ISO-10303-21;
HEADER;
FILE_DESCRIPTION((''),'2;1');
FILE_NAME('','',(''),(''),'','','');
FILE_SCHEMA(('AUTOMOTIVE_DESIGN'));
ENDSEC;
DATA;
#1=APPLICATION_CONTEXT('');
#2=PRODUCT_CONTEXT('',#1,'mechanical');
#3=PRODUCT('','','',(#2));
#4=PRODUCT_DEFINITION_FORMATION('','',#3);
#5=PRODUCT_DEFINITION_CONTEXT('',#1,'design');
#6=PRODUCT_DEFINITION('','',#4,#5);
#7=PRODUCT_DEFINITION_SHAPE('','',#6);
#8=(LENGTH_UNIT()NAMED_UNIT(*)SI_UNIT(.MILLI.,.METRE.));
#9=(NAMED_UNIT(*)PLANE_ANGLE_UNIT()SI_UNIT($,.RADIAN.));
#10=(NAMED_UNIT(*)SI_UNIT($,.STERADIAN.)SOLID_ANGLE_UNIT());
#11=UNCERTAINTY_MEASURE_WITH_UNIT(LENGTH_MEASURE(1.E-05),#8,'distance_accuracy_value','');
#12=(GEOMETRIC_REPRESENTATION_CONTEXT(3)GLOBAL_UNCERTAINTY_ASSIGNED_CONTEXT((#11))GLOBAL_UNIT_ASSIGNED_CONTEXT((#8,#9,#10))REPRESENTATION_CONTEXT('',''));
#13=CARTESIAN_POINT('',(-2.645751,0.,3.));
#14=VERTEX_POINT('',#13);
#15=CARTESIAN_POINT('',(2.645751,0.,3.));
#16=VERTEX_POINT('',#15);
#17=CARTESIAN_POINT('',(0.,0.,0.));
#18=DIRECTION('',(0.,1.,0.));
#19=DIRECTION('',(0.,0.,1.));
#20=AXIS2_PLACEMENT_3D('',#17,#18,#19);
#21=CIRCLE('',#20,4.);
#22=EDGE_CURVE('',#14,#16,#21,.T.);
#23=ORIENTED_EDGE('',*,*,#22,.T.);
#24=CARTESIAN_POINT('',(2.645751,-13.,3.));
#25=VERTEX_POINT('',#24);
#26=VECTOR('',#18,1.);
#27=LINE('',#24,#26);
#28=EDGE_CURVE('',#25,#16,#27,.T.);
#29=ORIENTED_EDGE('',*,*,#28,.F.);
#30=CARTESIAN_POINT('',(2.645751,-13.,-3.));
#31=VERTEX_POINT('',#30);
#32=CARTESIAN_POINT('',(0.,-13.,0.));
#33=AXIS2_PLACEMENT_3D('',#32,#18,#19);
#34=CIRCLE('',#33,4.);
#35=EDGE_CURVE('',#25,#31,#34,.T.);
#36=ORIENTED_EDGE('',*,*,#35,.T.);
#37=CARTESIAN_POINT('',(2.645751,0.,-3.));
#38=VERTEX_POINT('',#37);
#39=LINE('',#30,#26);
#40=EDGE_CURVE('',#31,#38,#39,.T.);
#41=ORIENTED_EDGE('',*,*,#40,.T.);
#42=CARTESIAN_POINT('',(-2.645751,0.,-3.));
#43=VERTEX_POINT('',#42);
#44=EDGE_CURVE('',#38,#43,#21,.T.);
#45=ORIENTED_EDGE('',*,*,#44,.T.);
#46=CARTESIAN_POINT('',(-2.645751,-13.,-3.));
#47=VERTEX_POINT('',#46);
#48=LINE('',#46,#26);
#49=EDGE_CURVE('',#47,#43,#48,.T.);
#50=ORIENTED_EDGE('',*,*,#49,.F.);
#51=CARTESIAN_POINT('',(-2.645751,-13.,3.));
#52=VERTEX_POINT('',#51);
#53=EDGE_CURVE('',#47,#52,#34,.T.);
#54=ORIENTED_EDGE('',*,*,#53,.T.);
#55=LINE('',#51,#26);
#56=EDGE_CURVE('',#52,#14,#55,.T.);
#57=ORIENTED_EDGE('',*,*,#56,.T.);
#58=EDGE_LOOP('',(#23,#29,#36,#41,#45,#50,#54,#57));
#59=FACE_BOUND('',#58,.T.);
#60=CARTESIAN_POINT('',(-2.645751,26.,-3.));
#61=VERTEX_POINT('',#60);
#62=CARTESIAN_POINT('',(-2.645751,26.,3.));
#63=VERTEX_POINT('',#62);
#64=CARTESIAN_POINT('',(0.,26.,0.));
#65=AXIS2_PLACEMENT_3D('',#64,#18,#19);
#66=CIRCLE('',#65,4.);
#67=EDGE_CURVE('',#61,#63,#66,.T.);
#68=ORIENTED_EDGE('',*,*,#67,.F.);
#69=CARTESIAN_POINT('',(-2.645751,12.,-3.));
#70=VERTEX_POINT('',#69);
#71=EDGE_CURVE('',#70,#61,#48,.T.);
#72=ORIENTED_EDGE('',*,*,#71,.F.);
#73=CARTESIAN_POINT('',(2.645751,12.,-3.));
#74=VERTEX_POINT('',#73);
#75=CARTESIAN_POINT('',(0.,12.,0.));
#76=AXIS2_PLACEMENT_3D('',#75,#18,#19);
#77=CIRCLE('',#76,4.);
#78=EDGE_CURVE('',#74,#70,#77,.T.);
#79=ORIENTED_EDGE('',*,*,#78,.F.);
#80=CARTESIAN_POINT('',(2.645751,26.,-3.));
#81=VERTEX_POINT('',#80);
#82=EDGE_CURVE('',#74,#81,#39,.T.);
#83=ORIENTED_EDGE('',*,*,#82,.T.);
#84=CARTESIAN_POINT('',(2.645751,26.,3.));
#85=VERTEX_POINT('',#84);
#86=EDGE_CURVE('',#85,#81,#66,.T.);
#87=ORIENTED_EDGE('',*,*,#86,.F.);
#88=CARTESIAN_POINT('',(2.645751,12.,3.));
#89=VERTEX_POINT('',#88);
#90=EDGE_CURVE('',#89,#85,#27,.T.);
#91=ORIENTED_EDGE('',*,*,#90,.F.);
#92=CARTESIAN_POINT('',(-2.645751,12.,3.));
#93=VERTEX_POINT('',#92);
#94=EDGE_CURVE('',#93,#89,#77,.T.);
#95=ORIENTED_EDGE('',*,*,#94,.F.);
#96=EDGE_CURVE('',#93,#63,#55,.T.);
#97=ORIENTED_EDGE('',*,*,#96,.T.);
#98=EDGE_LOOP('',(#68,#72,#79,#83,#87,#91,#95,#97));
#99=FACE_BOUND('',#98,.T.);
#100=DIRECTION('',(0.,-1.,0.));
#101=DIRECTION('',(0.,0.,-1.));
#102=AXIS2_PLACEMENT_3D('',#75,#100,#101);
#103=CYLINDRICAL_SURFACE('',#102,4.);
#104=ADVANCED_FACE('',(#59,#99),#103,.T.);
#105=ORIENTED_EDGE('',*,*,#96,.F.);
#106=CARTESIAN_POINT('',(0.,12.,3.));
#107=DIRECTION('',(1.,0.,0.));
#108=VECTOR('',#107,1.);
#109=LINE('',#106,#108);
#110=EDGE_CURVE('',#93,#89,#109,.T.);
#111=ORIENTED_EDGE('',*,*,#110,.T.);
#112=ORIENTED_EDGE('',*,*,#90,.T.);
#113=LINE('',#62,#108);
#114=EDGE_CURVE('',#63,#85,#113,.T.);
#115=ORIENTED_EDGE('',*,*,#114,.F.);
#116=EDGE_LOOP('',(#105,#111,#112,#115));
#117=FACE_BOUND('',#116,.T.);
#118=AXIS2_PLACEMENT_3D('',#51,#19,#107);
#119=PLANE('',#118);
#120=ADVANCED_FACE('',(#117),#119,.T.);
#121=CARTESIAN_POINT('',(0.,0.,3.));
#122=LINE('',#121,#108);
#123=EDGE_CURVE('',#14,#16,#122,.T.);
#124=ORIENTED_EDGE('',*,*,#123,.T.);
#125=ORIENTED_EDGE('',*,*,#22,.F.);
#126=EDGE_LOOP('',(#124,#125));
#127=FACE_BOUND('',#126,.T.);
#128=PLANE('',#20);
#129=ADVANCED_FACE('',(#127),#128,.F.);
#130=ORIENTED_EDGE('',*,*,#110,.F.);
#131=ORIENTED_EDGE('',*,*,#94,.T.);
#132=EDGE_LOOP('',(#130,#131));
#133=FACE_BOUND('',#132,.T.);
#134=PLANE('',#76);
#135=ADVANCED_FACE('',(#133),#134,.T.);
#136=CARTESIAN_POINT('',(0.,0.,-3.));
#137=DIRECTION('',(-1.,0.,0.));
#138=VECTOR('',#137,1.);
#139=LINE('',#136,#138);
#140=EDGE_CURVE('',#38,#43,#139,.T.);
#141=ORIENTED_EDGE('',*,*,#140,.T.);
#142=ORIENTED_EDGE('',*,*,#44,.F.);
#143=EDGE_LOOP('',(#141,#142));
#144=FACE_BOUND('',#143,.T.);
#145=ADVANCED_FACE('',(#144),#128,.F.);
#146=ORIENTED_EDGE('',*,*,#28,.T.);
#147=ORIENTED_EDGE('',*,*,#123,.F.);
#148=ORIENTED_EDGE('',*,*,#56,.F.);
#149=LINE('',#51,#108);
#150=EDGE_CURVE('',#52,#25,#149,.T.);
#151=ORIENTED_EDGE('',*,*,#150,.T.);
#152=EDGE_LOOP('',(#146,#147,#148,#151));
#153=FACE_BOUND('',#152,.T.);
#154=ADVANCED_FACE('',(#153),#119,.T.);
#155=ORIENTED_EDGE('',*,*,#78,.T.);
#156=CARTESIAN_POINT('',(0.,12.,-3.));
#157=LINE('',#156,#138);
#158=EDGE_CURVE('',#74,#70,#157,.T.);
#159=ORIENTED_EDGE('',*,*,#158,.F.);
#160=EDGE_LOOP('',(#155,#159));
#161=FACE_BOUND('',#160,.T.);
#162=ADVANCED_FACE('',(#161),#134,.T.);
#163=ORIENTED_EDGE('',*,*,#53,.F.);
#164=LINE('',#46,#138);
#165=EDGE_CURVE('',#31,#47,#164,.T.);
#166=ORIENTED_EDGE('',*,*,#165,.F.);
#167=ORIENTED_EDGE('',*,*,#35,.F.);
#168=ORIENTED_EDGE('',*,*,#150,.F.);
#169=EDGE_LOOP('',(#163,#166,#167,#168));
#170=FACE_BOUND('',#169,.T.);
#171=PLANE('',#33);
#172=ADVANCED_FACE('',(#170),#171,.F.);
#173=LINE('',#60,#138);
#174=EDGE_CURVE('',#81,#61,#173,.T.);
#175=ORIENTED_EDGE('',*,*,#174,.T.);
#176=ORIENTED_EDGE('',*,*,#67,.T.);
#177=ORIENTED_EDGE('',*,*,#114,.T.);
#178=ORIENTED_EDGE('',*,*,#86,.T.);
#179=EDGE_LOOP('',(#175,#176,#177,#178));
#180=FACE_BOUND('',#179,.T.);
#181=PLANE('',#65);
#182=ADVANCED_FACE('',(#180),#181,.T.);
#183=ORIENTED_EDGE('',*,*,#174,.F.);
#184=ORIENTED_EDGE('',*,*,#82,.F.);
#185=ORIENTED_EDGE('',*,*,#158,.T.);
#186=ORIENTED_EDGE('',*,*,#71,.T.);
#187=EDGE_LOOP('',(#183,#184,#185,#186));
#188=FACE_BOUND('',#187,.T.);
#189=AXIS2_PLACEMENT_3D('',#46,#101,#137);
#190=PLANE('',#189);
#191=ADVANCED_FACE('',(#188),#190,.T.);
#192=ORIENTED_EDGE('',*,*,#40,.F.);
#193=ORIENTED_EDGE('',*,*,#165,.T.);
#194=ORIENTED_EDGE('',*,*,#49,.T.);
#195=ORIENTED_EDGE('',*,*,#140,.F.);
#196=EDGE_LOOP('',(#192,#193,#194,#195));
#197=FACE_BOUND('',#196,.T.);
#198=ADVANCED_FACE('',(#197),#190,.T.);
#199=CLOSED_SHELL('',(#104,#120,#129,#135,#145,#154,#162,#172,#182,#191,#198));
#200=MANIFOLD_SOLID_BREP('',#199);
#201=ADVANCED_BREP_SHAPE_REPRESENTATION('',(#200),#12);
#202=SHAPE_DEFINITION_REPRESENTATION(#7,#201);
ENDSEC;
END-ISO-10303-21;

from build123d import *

# Parameters (mm, degrees)
CROQUIS1_R                   = 4
SALIENTE_EXTRUIR1_DEPTH      = 12
SALIENTE_EXTRUIR2_DEPTH      = 14
SALIENTE_EXTRUIR2_DEPTH_BACK = 25


with BuildPart() as part:
    # Croquis1 → Saliente-Extruir1 (new body)
    with BuildSketch(Plane(origin=(0, 0, 0), x_dir=(1, 0, 0), z_dir=(0, 1, 0))):
        Circle(CROQUIS1_R)
    extrude(amount=SALIENTE_EXTRUIR1_DEPTH)

    # Croquis2 → Saliente-Extruir2 (add, two sides: drawn at the far end of the back side and taken through both)
    with BuildSketch(Plane(origin=(0, 12, 0), x_dir=(1, 0, 0), z_dir=(0, 1, 0)).offset(-SALIENTE_EXTRUIR2_DEPTH_BACK)):
        with BuildLine():
            Line((-2.645751311, -3), (2.645751311, -3))
            ThreePointArc((2.645751311, -3), (4, 0), (2.645751311, 3))
            Line((2.645751311, 3), (-2.645751311, 3))
            ThreePointArc((-2.645751311, 3), (-4, 0), (-2.645751311, -3))
        make_face()
    extrude(amount=SALIENTE_EXTRUIR2_DEPTH + SALIENTE_EXTRUIR2_DEPTH_BACK)


solid = part.part
